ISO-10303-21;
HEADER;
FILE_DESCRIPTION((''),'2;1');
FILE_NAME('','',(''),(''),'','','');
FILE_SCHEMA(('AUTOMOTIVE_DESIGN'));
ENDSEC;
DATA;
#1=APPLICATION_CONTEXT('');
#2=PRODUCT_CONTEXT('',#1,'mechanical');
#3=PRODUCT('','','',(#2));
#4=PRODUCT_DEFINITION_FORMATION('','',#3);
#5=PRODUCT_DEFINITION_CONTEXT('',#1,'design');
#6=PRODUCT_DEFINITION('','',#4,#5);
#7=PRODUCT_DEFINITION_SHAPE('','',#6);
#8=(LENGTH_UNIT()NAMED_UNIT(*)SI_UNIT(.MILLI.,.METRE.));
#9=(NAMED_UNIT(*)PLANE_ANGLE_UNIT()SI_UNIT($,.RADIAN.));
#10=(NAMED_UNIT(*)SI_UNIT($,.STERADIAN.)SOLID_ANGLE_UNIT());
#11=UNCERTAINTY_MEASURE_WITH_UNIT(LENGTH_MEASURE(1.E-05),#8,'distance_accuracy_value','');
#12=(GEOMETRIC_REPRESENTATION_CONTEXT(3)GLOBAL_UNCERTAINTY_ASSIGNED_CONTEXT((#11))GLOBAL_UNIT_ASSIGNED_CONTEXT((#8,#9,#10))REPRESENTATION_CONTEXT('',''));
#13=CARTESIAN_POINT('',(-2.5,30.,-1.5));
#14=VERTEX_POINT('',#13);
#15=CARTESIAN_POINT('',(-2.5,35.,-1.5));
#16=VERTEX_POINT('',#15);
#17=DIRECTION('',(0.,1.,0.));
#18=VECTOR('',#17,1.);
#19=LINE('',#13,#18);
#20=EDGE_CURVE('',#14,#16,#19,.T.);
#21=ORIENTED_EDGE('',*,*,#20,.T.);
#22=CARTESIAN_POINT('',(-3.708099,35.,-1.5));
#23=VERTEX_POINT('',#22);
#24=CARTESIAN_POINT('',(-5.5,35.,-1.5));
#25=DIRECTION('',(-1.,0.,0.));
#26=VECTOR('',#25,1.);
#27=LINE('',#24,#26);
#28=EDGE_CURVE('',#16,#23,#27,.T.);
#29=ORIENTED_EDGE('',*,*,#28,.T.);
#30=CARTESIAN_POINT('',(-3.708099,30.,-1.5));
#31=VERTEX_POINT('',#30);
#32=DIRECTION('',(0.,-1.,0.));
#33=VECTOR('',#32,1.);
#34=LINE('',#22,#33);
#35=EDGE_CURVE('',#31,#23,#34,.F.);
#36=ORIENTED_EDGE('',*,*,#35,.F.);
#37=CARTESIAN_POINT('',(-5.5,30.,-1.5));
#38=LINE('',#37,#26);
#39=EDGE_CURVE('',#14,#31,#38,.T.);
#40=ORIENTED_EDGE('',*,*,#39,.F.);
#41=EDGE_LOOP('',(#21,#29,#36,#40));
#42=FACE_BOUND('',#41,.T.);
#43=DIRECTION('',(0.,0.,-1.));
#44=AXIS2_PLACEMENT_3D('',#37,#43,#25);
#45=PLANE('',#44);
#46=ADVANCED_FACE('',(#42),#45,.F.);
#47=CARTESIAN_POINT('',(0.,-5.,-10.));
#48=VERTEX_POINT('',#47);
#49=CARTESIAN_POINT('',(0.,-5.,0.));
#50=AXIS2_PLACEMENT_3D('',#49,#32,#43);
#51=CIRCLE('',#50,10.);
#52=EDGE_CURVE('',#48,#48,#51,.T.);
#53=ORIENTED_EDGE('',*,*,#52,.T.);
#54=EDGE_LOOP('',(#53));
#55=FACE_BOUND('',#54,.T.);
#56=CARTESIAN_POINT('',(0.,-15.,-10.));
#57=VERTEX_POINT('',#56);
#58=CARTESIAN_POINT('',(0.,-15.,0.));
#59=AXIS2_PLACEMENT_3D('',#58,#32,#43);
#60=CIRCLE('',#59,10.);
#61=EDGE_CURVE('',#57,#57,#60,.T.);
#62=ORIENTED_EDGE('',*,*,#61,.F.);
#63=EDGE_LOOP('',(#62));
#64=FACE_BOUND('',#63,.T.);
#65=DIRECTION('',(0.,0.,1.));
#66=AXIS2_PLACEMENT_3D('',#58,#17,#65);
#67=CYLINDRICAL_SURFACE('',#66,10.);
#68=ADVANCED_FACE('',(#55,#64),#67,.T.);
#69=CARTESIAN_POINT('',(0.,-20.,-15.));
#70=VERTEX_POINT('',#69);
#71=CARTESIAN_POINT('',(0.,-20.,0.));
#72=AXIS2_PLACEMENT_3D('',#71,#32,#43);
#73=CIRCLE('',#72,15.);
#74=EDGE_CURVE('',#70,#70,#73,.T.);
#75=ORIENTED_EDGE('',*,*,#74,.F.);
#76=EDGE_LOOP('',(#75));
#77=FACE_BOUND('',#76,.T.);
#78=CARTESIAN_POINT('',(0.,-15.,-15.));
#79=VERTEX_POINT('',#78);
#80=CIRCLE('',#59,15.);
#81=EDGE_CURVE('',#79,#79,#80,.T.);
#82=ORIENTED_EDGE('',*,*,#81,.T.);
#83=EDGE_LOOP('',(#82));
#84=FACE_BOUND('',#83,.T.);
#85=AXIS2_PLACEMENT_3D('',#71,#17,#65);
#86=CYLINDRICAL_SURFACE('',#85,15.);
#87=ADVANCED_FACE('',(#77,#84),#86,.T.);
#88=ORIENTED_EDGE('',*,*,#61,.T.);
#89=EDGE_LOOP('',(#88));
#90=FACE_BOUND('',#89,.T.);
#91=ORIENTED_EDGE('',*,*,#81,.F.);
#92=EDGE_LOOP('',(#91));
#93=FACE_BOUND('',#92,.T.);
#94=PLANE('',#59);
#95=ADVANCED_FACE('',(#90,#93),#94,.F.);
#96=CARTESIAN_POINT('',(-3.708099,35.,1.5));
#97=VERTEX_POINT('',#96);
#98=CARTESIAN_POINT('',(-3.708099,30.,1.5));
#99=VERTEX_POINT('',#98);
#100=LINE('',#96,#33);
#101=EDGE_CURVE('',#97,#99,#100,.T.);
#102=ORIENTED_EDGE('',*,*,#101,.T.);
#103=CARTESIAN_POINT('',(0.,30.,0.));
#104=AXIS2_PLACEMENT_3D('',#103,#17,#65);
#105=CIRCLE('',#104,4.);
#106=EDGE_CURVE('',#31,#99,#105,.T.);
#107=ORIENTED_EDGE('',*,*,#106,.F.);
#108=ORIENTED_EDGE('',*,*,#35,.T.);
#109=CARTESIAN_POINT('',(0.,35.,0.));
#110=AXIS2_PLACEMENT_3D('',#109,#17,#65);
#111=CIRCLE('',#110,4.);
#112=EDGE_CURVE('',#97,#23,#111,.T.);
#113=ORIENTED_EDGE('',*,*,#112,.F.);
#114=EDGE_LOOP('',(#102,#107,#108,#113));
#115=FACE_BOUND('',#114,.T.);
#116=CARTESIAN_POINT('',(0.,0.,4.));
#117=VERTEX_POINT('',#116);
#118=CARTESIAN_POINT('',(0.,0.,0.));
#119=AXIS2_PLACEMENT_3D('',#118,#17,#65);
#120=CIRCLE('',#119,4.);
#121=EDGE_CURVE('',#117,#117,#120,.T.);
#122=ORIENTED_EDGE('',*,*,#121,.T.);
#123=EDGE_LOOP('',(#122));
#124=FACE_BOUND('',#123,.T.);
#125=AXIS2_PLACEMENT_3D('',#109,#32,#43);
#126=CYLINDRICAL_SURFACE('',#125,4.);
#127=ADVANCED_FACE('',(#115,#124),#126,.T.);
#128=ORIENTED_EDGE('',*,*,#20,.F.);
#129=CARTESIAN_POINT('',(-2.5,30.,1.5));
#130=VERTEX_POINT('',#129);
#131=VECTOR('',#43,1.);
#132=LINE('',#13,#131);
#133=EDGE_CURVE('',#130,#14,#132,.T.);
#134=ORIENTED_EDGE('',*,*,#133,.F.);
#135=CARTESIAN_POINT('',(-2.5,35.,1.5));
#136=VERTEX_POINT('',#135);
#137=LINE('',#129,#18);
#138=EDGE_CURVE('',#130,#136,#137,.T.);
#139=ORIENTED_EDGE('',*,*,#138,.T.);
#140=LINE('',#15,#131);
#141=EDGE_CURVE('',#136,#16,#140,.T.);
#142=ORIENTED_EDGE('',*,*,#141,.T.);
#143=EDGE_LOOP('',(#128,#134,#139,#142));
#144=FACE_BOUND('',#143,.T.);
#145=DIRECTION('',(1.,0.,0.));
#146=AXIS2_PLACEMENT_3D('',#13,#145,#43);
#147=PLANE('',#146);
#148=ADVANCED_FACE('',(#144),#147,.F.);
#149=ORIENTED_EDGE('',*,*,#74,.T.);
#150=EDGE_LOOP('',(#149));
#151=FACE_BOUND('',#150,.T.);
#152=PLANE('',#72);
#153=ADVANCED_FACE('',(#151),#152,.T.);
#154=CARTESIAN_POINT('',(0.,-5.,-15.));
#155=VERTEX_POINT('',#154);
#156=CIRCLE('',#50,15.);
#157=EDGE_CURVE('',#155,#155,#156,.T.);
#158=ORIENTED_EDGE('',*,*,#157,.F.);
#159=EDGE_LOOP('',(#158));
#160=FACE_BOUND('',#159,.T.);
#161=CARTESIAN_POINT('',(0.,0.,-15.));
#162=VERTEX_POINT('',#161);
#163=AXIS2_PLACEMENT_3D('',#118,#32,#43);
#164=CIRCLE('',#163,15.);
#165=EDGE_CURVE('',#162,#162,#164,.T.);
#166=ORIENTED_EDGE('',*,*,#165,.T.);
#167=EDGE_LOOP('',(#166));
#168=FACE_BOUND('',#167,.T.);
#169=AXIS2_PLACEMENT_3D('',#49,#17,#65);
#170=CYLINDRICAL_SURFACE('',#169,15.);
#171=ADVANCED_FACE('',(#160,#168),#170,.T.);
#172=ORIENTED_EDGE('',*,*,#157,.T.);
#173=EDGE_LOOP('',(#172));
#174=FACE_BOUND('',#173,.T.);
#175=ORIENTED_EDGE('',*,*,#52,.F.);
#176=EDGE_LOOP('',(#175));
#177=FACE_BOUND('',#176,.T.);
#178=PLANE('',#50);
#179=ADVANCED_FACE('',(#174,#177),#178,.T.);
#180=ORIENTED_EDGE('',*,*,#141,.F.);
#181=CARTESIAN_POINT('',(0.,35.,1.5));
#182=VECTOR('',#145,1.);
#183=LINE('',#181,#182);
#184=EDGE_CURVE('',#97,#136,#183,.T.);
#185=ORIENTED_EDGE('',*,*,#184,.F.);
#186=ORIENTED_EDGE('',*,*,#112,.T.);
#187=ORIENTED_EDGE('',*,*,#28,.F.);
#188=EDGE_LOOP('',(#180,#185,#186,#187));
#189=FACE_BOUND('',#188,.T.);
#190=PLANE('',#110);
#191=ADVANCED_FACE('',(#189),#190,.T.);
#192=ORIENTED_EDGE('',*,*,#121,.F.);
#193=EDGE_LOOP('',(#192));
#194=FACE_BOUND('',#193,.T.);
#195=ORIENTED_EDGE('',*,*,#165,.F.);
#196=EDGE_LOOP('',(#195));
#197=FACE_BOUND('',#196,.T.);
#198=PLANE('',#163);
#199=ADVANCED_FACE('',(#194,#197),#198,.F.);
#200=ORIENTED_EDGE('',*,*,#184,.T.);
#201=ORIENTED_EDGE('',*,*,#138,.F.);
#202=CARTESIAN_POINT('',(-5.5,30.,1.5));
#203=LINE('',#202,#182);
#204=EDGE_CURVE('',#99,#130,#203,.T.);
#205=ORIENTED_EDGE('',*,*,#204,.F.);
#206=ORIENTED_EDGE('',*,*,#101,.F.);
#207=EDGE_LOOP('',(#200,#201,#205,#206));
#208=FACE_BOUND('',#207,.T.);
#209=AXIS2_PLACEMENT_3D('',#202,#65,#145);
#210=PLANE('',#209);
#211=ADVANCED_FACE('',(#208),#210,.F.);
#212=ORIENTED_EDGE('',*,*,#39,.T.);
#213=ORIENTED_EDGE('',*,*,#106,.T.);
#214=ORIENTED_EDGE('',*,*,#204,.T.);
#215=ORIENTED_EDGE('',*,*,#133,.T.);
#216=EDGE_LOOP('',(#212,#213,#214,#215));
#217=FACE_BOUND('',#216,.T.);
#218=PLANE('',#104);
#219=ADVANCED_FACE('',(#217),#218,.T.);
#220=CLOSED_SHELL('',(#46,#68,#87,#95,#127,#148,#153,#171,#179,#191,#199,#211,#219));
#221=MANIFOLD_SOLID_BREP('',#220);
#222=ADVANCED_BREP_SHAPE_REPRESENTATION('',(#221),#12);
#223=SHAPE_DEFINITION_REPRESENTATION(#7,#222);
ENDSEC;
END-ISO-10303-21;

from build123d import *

# Parameters (mm, degrees)
SKETCH1_R           = 4
BOSS_EXTRUDE1_DEPTH = 35
SKETCH4_W           = 3
SKETCH4_H           = 3
CUT_EXTRUDE3_DEPTH  = 5
SKETCH5_R           = 15
BOSS_EXTRUDE2_DEPTH = 5
SKETCH6_R           = 10
BOSS_EXTRUDE3_DEPTH = 10
SKETCH7_R           = 15
BOSS_EXTRUDE4_DEPTH = 5


with BuildPart() as part:
    # Sketch1 → Boss-Extrude1 (new body)
    with BuildSketch(Plane(origin=(0, 0, 0), x_dir=(1, 0, 0), z_dir=(0, 1, 0))):
        with Locations(Location((0, 0, 0), (0, 0, 270))):
            Circle(SKETCH1_R)
    extrude(amount=BOSS_EXTRUDE1_DEPTH)

    # Sketch4 → Cut-Extrude3 (cut)
    with BuildSketch(Plane(origin=(0, 35, 0), x_dir=(1, 0, 0), z_dir=(0, 1, 0))):
        with Locations((-4, 0)):
            Rectangle(SKETCH4_W, SKETCH4_H)
    extrude(amount=-CUT_EXTRUDE3_DEPTH, mode=Mode.SUBTRACT)

    # Sketch5 → Boss-Extrude2 (add)
    with BuildSketch(Plane.XZ):
        with Locations(Location((0, 0, 0), (0, 0, 270))):
            Circle(SKETCH5_R)
    extrude(amount=BOSS_EXTRUDE2_DEPTH)

    # Sketch6 → Boss-Extrude3 (add)
    with BuildSketch(Plane.XZ.offset(5)):
        with Locations(Location((0, 0, 0), (0, 0, 270))):
            Circle(SKETCH6_R)
    extrude(amount=BOSS_EXTRUDE3_DEPTH)

    # Sketch7 → Boss-Extrude4 (add)
    with BuildSketch(Plane.XZ.offset(15)):
        with Locations(Location((0, 0, 0), (0, 0, 270))):
            Circle(SKETCH7_R)
    extrude(amount=BOSS_EXTRUDE4_DEPTH)


solid = part.part
